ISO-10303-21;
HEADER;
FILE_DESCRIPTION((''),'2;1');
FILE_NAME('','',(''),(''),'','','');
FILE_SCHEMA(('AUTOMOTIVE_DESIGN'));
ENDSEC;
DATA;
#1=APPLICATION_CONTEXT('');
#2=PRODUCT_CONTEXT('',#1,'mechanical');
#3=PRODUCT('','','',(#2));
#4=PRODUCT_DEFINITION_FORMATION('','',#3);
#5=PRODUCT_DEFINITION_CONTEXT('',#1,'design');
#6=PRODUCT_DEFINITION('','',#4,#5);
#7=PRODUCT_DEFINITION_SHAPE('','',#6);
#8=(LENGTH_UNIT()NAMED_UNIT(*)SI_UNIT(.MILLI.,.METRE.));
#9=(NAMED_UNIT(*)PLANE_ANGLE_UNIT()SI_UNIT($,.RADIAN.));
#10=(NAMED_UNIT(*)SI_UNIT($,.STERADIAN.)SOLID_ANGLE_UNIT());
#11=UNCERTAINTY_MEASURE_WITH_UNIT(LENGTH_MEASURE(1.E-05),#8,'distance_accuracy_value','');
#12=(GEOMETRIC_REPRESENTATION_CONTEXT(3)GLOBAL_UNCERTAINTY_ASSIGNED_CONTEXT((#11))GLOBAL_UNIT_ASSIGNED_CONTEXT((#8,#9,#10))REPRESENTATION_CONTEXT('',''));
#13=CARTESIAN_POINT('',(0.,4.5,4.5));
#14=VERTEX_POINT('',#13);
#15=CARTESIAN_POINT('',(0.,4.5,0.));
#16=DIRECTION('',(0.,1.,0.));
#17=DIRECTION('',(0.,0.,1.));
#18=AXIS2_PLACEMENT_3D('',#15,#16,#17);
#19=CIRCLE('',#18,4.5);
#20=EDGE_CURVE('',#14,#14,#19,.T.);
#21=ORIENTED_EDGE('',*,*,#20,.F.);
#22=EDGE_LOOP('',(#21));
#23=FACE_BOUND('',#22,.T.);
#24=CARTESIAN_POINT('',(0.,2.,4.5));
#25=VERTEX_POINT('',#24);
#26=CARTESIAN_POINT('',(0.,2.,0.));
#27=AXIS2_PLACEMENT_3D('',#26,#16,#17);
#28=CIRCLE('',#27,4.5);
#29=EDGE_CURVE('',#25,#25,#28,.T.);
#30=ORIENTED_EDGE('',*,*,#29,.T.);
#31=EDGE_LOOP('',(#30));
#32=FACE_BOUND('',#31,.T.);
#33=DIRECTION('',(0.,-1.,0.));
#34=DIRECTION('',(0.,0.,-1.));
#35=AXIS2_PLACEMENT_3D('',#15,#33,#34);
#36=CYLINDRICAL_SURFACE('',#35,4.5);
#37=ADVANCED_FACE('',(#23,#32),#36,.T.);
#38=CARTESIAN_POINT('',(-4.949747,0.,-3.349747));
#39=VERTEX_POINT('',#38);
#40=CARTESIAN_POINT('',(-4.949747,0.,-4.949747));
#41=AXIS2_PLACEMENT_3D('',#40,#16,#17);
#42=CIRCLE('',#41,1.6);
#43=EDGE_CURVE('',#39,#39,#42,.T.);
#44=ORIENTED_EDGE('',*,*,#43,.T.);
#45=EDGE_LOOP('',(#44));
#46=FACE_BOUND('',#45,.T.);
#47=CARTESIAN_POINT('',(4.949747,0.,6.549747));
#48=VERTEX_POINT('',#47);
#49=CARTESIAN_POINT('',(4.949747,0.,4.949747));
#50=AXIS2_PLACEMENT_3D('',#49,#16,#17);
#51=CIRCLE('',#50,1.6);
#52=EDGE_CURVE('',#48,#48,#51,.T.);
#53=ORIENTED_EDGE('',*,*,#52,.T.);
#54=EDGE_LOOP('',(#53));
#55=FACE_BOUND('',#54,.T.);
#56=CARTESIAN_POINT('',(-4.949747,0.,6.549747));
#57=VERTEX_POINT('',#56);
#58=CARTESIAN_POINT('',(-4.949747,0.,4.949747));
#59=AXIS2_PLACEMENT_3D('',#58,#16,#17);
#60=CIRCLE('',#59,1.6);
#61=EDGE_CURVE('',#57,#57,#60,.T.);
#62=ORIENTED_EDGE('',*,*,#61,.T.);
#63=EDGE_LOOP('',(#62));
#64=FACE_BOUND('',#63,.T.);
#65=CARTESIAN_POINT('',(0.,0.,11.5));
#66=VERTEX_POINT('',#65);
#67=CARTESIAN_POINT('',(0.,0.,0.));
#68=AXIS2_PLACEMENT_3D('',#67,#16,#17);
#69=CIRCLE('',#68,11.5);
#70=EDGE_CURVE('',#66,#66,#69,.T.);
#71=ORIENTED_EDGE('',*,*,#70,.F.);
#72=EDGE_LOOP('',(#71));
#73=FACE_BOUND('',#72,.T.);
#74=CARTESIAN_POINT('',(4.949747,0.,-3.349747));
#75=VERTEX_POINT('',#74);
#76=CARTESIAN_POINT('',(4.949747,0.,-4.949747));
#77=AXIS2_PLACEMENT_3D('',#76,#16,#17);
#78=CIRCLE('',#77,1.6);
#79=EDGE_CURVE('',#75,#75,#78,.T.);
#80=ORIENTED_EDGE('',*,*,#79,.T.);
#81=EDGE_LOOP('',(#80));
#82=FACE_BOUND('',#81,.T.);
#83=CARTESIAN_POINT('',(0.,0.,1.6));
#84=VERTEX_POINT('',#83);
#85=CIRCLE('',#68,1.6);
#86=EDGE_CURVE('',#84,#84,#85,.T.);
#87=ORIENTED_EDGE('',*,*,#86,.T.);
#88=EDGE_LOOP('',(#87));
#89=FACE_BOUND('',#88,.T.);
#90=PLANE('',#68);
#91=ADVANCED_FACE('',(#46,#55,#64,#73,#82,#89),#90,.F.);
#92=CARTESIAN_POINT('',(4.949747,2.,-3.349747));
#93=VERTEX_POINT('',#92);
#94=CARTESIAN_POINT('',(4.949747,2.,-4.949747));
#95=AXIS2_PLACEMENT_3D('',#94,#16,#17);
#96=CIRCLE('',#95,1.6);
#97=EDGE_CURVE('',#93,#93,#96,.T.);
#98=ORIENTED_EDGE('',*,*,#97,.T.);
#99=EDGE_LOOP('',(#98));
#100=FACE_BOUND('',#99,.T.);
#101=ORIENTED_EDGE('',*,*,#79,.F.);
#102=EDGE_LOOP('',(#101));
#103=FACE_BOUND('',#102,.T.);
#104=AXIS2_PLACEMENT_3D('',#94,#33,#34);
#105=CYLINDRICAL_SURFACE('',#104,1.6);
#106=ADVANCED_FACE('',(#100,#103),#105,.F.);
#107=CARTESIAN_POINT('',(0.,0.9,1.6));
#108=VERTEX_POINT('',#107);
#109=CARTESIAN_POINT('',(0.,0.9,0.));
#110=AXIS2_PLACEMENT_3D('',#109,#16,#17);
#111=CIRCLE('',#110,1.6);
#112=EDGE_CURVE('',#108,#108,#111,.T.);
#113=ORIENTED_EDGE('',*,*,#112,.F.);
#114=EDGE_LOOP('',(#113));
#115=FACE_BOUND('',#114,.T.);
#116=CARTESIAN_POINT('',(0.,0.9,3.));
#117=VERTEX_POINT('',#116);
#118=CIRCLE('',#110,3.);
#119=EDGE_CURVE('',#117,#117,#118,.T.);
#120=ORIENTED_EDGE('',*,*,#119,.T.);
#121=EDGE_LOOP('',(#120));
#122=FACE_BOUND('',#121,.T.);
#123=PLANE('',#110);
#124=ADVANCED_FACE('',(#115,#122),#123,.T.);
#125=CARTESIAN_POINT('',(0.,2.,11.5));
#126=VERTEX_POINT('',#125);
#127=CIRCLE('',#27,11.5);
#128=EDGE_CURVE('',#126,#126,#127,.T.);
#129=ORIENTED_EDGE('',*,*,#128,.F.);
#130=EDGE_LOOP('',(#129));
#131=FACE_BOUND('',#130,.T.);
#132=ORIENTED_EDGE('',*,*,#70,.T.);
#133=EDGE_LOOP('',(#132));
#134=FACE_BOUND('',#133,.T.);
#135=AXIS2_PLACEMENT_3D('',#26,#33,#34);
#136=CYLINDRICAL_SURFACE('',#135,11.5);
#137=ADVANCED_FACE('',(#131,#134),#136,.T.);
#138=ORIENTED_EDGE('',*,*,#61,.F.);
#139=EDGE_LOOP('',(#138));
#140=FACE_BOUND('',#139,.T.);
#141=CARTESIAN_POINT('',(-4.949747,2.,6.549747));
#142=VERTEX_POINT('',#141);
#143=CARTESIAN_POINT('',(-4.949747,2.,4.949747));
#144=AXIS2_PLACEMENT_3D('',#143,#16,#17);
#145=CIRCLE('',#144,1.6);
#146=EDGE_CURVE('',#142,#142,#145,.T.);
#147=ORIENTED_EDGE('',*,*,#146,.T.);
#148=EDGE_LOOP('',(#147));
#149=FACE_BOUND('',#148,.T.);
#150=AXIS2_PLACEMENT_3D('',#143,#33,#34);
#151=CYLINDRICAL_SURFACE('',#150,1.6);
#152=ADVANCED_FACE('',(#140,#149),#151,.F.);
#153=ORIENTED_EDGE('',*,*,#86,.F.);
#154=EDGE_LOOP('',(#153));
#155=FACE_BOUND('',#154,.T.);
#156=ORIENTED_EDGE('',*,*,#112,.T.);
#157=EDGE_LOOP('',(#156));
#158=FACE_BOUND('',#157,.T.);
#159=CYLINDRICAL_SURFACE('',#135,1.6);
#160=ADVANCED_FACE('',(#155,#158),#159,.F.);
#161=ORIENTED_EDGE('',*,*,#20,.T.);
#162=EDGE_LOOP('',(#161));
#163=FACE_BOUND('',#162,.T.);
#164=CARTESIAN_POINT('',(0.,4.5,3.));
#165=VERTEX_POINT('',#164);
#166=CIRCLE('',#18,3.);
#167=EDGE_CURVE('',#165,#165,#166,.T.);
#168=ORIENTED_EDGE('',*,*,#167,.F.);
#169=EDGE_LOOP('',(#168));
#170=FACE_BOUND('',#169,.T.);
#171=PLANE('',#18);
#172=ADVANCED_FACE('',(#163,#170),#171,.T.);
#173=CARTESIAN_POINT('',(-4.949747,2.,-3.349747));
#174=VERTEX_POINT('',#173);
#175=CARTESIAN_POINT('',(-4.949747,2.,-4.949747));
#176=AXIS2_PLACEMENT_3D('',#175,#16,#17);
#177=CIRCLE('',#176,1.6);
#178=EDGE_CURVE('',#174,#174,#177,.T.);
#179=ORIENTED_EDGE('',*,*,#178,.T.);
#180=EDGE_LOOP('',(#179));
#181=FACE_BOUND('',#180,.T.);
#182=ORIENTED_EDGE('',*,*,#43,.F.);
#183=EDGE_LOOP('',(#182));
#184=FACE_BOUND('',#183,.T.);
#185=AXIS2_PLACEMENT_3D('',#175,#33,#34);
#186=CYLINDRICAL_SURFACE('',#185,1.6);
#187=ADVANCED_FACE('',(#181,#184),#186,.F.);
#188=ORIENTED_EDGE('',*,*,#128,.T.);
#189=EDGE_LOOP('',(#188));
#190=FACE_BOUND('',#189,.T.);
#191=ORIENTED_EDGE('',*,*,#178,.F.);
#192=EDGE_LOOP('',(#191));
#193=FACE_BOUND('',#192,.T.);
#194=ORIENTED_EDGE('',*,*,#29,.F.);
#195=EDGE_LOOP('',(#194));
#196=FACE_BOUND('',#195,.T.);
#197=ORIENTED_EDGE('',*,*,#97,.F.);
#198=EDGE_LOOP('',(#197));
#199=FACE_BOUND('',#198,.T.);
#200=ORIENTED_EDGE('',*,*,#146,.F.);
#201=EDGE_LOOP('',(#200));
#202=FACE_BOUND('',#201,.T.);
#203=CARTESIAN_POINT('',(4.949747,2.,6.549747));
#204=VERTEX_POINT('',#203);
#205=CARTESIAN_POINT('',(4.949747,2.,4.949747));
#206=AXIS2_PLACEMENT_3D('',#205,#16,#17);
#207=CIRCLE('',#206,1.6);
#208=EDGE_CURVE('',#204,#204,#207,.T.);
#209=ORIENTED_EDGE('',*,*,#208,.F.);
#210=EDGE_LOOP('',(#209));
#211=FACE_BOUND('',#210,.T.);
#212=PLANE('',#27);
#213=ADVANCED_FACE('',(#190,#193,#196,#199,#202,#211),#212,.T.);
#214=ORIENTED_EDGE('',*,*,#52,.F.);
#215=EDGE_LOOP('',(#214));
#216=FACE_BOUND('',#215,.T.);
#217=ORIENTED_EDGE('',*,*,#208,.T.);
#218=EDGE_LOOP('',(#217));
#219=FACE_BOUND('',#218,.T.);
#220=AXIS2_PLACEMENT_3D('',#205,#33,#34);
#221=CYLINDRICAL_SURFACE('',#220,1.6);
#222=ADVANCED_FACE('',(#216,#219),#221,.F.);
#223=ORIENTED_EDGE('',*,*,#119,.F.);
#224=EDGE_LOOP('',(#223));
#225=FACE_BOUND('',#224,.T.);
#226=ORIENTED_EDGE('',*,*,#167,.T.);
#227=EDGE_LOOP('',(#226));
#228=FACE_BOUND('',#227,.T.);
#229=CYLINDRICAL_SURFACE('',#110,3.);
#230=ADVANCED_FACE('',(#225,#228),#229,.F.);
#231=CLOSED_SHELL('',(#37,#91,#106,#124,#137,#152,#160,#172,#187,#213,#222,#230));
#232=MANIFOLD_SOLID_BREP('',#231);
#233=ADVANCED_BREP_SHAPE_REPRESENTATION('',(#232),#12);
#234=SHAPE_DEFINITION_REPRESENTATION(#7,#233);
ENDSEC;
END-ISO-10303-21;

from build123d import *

# Parameters (mm, degrees)
SKETCH1_R           = 11.5
SKETCH1_R_2         = 1.6
BOSS_EXTRUDE1_DEPTH = 2
SKETCH2_R           = 4.5
SKETCH2_R_2         = 1.6
BOSS_EXTRUDE2_DEPTH = 2.5
SKETCH3_R           = 3
CUT_EXTRUDE1_DEPTH  = 3.6


with BuildPart() as part:
    # Sketch1 → Boss-Extrude1 (new body)
    with BuildSketch(Plane(origin=(0, 0, 0), x_dir=(1, 0, 0), z_dir=(0, 1, 0))):
        Circle(SKETCH1_R)
        with Locations((-4.949747468, 4.949747468)):
            Circle(SKETCH1_R_2, mode=Mode.SUBTRACT)
        with Locations((4.949747468, 4.949747468)):
            Circle(SKETCH1_R_2, mode=Mode.SUBTRACT)
        with Locations((4.949747468, -4.949747468)):
            Circle(SKETCH1_R_2, mode=Mode.SUBTRACT)
        with Locations((-4.949747468, -4.949747468)):
            Circle(SKETCH1_R_2, mode=Mode.SUBTRACT)
        Circle(SKETCH1_R_2, mode=Mode.SUBTRACT)
    extrude(amount=BOSS_EXTRUDE1_DEPTH)

    # Sketch2 → Boss-Extrude2 (add)
    with BuildSketch(Plane(origin=(0, 2, 0), x_dir=(1, 0, 0), z_dir=(0, 1, 0))):
        Circle(SKETCH2_R)
        Circle(SKETCH2_R_2, mode=Mode.SUBTRACT)
    extrude(amount=BOSS_EXTRUDE2_DEPTH)

    # Sketch3 → Cut-Extrude1 (cut)
    with BuildSketch(Plane(origin=(0, 4.5, 0), x_dir=(1, 0, 0), z_dir=(0, 1, 0))):
        Circle(SKETCH3_R)
    extrude(amount=-CUT_EXTRUDE1_DEPTH, mode=Mode.SUBTRACT)


solid = part.part
